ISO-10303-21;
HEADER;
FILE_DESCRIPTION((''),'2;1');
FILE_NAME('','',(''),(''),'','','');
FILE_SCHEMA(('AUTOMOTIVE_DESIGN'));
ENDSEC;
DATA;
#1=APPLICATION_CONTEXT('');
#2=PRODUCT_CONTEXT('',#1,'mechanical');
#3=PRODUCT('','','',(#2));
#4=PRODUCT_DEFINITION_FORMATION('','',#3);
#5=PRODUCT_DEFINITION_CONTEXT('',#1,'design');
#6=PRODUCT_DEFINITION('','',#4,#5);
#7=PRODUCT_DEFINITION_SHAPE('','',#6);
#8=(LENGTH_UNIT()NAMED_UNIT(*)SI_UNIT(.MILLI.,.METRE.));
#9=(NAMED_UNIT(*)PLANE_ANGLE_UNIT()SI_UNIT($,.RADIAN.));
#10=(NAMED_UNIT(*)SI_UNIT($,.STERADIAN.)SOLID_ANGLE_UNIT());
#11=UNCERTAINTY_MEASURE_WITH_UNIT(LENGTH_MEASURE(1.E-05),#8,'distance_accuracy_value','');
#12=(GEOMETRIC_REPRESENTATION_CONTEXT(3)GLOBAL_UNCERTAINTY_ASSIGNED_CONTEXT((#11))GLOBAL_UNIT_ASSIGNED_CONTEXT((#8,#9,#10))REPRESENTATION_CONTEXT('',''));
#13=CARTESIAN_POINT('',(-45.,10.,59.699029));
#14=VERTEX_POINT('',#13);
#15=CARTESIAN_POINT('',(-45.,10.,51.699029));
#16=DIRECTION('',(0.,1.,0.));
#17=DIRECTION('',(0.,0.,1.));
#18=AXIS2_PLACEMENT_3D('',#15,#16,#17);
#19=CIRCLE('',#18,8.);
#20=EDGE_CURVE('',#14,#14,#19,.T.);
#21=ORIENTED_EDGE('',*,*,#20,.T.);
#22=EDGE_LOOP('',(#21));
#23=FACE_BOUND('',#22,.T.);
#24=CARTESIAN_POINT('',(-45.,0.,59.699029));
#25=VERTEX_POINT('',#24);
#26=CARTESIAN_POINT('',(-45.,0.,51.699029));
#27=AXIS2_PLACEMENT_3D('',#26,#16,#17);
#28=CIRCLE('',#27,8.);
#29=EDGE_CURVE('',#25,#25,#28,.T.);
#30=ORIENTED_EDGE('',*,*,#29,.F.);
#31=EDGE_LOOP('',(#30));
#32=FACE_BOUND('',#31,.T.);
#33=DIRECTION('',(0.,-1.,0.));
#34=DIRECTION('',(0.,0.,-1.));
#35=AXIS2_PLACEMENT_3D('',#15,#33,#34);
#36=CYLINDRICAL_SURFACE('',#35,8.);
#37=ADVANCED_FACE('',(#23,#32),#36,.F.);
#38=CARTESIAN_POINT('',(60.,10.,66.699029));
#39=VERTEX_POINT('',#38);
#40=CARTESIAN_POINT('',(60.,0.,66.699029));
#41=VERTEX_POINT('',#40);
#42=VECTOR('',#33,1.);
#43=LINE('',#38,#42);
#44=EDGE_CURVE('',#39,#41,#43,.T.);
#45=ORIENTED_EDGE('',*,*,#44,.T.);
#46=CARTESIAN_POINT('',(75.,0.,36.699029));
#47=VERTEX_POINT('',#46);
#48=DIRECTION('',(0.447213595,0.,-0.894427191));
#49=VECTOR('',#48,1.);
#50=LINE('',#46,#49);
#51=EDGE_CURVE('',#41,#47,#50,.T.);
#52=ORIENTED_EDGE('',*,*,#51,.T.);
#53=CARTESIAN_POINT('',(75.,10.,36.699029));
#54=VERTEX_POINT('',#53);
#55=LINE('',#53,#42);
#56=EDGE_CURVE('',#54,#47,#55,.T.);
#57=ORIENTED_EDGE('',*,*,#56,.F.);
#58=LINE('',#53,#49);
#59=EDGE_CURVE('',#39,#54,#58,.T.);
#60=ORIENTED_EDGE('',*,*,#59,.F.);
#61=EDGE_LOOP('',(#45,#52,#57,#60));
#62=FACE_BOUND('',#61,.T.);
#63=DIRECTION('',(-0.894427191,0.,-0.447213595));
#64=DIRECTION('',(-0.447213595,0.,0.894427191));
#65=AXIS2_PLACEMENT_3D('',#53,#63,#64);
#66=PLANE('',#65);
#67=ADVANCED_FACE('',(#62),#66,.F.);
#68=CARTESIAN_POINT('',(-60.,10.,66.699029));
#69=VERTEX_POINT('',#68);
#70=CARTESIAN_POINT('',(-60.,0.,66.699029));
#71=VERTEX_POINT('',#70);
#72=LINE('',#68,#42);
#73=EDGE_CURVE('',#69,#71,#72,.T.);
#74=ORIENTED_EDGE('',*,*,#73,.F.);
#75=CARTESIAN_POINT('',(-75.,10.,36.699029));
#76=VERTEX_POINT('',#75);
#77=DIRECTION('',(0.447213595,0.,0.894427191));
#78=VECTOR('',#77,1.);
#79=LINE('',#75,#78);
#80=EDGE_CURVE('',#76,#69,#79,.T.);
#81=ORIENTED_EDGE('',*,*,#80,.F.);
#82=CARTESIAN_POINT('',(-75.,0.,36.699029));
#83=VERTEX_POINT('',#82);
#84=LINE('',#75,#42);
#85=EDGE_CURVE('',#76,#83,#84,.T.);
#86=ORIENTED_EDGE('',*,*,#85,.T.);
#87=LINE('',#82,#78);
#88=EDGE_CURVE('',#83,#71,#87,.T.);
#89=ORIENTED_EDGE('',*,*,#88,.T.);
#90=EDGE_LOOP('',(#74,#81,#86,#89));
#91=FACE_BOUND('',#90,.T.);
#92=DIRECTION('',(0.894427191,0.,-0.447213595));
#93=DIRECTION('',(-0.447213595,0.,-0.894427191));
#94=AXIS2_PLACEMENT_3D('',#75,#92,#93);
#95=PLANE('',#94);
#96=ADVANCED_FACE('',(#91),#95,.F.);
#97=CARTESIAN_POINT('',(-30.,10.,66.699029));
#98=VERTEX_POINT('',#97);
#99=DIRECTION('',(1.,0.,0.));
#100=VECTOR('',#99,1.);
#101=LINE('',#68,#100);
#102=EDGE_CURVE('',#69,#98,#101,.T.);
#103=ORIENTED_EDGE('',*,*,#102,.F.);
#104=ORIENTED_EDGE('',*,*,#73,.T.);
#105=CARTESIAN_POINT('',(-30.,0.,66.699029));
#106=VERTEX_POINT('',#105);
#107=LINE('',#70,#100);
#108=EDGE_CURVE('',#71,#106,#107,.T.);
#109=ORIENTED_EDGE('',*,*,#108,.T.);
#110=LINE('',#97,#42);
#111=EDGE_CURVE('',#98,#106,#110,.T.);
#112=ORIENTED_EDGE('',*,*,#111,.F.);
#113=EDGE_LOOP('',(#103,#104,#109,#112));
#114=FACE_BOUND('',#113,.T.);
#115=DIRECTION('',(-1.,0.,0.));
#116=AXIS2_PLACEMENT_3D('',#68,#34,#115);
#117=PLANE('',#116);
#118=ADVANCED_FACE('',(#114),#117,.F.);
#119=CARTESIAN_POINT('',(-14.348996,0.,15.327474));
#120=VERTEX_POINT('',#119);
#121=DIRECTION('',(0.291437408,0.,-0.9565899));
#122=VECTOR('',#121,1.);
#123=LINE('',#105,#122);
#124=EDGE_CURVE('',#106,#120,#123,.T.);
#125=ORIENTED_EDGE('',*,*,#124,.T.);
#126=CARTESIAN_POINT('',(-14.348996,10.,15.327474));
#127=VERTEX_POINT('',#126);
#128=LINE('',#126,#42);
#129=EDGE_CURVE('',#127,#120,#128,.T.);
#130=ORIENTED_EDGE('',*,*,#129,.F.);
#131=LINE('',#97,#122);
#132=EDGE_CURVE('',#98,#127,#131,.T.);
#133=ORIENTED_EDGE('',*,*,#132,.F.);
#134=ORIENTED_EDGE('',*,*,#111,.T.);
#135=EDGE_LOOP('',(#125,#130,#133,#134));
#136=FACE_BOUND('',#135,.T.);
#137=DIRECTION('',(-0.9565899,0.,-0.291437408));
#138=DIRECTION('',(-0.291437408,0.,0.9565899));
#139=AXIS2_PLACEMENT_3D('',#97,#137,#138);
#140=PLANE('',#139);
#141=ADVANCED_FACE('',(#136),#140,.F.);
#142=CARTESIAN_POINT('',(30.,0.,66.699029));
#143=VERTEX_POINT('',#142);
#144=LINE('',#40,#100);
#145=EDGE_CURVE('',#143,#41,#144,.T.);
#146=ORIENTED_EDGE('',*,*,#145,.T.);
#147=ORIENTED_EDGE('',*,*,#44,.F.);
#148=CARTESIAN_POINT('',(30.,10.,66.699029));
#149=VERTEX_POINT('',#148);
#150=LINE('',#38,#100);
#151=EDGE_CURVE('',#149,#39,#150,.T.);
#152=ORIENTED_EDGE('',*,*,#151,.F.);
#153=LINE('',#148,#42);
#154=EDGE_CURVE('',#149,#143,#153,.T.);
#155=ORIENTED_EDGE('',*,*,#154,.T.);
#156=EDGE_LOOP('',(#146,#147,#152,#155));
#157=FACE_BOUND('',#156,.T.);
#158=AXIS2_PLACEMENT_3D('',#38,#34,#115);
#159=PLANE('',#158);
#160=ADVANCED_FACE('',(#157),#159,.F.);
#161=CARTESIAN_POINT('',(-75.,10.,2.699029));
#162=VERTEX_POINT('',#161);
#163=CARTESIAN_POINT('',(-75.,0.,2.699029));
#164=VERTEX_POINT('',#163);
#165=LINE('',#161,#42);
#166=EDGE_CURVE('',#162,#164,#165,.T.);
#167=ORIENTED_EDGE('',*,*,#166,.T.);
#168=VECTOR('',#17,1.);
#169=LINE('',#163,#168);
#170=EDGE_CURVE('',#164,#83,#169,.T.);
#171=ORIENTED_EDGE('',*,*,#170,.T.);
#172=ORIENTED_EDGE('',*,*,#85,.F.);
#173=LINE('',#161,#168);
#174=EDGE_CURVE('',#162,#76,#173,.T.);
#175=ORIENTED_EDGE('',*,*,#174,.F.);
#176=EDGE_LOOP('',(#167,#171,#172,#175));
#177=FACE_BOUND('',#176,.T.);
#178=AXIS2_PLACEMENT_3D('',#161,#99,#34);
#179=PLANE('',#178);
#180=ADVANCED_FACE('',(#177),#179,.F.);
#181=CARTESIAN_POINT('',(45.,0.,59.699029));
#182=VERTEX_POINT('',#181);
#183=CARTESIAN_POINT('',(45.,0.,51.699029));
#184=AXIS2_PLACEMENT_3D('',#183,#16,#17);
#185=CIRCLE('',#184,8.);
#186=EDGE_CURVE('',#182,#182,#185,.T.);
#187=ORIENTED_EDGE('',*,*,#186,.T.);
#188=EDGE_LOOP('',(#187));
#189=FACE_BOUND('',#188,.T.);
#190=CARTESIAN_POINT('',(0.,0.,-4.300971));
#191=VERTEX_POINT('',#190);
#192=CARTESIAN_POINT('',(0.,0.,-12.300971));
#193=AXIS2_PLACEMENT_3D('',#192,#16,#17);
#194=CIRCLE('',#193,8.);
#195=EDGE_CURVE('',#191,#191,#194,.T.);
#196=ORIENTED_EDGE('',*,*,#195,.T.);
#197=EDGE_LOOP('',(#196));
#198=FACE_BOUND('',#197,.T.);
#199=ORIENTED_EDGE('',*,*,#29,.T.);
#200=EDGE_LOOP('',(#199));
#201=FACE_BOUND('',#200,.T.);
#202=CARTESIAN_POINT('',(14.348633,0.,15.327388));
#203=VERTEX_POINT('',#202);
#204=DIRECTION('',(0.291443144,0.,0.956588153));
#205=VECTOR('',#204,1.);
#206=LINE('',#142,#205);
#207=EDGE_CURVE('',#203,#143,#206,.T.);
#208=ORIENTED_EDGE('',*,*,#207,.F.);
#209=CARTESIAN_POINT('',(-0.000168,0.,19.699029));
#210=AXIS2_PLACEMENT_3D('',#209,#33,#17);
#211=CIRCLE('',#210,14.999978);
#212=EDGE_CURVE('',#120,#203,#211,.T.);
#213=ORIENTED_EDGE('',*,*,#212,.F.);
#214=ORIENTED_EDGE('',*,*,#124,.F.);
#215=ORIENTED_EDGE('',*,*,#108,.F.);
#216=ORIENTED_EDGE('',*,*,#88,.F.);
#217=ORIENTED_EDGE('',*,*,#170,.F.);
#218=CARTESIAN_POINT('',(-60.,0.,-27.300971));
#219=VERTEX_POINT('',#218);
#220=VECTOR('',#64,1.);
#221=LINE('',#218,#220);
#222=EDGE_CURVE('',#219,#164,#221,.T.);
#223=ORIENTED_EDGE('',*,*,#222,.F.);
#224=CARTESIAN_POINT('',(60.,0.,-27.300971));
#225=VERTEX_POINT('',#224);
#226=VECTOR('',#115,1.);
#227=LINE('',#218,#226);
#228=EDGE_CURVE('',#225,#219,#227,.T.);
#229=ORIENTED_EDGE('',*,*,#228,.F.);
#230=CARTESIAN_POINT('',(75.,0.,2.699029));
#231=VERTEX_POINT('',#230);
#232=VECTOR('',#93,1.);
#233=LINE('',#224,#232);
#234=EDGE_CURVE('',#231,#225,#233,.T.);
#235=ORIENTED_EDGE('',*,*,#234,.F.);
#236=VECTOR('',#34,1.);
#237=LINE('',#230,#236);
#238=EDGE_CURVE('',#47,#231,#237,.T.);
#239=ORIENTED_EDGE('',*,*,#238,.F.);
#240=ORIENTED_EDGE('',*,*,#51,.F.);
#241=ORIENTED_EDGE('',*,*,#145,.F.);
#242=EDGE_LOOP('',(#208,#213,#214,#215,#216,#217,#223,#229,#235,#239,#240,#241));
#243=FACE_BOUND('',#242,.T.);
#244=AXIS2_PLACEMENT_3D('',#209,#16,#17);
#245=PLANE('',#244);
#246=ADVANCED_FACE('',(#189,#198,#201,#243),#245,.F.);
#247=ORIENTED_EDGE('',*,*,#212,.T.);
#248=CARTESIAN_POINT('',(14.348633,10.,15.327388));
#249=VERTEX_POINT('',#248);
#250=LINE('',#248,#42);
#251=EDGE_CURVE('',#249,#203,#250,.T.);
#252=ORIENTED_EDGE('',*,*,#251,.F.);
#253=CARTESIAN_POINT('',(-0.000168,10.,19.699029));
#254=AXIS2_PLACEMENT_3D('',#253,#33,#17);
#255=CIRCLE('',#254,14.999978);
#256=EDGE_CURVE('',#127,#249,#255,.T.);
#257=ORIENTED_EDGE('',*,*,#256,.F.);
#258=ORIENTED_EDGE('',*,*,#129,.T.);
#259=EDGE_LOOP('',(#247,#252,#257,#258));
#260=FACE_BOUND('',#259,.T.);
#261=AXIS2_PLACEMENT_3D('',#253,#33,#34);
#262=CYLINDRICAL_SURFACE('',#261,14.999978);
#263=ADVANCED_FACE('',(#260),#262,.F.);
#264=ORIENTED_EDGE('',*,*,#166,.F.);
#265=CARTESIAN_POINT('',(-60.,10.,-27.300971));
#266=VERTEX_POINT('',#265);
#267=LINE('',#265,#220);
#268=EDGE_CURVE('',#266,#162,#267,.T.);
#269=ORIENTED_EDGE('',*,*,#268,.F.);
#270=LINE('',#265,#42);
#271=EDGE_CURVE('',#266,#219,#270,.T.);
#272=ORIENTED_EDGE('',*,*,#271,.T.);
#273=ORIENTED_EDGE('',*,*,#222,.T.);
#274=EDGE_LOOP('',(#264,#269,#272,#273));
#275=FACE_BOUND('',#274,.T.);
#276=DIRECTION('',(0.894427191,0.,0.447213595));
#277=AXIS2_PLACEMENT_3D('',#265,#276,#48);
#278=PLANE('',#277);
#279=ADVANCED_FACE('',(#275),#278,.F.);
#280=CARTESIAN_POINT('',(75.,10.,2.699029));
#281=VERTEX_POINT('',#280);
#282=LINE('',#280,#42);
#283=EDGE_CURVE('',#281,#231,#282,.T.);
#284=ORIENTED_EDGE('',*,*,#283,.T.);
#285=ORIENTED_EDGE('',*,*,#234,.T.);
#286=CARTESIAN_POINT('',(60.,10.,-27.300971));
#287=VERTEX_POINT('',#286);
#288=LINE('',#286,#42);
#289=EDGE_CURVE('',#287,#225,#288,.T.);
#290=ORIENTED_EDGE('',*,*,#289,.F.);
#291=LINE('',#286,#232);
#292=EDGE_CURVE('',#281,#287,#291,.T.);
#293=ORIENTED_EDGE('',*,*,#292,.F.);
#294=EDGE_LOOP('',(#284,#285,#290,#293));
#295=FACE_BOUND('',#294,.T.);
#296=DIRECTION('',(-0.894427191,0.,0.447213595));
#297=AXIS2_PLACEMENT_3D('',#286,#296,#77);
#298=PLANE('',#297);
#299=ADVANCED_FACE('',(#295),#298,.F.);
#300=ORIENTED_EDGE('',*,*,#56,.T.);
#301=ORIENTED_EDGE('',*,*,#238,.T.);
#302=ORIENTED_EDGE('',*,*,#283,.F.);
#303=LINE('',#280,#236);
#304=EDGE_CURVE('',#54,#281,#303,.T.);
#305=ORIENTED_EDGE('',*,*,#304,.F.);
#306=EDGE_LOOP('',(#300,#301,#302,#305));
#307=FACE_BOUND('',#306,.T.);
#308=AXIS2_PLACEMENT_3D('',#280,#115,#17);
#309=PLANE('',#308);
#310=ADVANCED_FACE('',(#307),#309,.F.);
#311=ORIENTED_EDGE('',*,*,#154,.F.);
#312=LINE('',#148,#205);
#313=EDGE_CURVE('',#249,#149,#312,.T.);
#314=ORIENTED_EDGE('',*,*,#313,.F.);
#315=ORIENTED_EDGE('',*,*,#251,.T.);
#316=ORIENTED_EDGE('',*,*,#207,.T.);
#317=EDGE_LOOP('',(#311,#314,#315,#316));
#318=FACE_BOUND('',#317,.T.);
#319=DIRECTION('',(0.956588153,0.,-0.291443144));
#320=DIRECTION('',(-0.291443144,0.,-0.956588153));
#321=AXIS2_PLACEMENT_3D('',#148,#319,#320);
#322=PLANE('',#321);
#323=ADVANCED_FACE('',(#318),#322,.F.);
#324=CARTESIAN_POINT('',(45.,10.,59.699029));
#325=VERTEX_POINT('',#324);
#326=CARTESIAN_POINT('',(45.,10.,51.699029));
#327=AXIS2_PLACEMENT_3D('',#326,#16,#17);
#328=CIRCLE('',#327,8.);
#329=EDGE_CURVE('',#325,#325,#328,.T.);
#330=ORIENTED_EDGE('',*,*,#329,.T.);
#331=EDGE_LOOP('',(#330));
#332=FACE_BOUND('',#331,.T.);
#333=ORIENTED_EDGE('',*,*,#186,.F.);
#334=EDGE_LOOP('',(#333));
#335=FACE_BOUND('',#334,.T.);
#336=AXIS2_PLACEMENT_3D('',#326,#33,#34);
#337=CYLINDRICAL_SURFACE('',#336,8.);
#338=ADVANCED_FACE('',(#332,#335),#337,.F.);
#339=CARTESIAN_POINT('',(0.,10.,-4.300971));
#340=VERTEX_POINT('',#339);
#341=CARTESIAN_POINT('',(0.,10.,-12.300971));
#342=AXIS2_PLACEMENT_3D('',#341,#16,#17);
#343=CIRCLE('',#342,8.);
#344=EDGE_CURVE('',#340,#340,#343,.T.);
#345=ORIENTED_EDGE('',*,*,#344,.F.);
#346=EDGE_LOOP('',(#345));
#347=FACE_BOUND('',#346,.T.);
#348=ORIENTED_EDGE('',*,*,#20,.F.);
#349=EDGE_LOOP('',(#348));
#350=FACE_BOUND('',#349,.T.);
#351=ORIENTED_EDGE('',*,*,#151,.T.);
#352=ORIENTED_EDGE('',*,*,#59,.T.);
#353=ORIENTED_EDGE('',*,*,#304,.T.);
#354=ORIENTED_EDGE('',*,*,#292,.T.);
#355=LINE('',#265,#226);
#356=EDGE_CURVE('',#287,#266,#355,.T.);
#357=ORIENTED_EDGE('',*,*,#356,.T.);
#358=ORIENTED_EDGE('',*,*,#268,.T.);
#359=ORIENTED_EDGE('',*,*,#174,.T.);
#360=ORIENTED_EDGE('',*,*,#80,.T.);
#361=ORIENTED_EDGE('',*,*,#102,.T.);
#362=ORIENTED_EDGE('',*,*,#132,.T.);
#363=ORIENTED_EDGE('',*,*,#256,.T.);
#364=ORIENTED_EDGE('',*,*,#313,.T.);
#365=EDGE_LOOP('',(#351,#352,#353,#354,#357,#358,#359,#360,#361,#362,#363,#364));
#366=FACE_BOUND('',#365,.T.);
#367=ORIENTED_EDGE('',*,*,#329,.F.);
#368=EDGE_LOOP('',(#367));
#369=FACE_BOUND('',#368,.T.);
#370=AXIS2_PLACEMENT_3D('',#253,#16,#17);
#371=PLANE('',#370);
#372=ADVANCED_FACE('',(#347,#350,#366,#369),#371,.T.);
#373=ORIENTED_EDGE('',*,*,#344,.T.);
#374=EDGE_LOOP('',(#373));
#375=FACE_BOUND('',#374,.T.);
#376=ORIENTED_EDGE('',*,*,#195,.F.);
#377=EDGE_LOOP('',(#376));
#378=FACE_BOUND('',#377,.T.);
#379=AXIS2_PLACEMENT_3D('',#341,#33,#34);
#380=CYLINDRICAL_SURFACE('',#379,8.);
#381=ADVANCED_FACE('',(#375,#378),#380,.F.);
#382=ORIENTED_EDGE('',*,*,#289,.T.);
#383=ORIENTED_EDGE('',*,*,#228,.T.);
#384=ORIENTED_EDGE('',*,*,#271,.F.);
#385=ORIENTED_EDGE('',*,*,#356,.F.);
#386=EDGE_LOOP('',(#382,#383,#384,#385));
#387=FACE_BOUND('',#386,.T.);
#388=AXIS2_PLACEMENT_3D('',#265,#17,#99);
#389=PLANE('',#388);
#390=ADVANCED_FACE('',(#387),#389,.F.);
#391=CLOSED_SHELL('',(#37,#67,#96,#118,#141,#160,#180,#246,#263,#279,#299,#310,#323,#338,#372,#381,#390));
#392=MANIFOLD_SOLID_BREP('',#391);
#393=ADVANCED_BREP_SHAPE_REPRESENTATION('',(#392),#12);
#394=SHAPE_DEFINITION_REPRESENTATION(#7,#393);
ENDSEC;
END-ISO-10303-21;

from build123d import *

# Parameters (mm, degrees)
SKETCH1_R           = 8
BOSS_EXTRUDE1_DEPTH = 10


with BuildPart() as part:
    # Sketch1 → Boss-Extrude1 (new body)
    with BuildSketch(Plane(origin=(0, 0, 0), x_dir=(1, 0, 0), z_dir=(0, 1, 0))):
        with BuildLine():
            Line((-60, 27.300970874), (60, 27.300970874))
            Line((60, 27.300970874), (75, -2.699029126))
            Line((75, -2.699029126), (75, -36.699029126))
            Line((75, -36.699029126), (60, -66.699029126))
            Line((60, -66.699029126), (30, -66.699029126))
            Line((30, -66.699029126), (14.348632755, -15.327388431))
            ThreePointArc((14.348632755, -15.327388431), (-0.000213283, -4.699051312), (-14.348995591, -15.327474469))
            Line((-14.348995591, -15.327474469), (-30, -66.699029126))
            Line((-30, -66.699029126), (-60, -66.699029126))
            Line((-60, -66.699029126), (-75, -36.699029126))
            Line((-75, -36.699029126), (-75, -2.699029126))
            Line((-75, -2.699029126), (-60, 27.300970874))
        make_face()
        with Locations(Location((-45, -51.699029126, 0), (0, 0, 270))):
            Circle(SKETCH1_R, mode=Mode.SUBTRACT)
        with Locations(Location((0, 12.300970874, 0), (0, 0, 270))):
            Circle(SKETCH1_R, mode=Mode.SUBTRACT)
        with Locations(Location((45, -51.699029126, 0), (0, 0, 270))):
            Circle(SKETCH1_R, mode=Mode.SUBTRACT)
    extrude(amount=BOSS_EXTRUDE1_DEPTH)


solid = part.part
